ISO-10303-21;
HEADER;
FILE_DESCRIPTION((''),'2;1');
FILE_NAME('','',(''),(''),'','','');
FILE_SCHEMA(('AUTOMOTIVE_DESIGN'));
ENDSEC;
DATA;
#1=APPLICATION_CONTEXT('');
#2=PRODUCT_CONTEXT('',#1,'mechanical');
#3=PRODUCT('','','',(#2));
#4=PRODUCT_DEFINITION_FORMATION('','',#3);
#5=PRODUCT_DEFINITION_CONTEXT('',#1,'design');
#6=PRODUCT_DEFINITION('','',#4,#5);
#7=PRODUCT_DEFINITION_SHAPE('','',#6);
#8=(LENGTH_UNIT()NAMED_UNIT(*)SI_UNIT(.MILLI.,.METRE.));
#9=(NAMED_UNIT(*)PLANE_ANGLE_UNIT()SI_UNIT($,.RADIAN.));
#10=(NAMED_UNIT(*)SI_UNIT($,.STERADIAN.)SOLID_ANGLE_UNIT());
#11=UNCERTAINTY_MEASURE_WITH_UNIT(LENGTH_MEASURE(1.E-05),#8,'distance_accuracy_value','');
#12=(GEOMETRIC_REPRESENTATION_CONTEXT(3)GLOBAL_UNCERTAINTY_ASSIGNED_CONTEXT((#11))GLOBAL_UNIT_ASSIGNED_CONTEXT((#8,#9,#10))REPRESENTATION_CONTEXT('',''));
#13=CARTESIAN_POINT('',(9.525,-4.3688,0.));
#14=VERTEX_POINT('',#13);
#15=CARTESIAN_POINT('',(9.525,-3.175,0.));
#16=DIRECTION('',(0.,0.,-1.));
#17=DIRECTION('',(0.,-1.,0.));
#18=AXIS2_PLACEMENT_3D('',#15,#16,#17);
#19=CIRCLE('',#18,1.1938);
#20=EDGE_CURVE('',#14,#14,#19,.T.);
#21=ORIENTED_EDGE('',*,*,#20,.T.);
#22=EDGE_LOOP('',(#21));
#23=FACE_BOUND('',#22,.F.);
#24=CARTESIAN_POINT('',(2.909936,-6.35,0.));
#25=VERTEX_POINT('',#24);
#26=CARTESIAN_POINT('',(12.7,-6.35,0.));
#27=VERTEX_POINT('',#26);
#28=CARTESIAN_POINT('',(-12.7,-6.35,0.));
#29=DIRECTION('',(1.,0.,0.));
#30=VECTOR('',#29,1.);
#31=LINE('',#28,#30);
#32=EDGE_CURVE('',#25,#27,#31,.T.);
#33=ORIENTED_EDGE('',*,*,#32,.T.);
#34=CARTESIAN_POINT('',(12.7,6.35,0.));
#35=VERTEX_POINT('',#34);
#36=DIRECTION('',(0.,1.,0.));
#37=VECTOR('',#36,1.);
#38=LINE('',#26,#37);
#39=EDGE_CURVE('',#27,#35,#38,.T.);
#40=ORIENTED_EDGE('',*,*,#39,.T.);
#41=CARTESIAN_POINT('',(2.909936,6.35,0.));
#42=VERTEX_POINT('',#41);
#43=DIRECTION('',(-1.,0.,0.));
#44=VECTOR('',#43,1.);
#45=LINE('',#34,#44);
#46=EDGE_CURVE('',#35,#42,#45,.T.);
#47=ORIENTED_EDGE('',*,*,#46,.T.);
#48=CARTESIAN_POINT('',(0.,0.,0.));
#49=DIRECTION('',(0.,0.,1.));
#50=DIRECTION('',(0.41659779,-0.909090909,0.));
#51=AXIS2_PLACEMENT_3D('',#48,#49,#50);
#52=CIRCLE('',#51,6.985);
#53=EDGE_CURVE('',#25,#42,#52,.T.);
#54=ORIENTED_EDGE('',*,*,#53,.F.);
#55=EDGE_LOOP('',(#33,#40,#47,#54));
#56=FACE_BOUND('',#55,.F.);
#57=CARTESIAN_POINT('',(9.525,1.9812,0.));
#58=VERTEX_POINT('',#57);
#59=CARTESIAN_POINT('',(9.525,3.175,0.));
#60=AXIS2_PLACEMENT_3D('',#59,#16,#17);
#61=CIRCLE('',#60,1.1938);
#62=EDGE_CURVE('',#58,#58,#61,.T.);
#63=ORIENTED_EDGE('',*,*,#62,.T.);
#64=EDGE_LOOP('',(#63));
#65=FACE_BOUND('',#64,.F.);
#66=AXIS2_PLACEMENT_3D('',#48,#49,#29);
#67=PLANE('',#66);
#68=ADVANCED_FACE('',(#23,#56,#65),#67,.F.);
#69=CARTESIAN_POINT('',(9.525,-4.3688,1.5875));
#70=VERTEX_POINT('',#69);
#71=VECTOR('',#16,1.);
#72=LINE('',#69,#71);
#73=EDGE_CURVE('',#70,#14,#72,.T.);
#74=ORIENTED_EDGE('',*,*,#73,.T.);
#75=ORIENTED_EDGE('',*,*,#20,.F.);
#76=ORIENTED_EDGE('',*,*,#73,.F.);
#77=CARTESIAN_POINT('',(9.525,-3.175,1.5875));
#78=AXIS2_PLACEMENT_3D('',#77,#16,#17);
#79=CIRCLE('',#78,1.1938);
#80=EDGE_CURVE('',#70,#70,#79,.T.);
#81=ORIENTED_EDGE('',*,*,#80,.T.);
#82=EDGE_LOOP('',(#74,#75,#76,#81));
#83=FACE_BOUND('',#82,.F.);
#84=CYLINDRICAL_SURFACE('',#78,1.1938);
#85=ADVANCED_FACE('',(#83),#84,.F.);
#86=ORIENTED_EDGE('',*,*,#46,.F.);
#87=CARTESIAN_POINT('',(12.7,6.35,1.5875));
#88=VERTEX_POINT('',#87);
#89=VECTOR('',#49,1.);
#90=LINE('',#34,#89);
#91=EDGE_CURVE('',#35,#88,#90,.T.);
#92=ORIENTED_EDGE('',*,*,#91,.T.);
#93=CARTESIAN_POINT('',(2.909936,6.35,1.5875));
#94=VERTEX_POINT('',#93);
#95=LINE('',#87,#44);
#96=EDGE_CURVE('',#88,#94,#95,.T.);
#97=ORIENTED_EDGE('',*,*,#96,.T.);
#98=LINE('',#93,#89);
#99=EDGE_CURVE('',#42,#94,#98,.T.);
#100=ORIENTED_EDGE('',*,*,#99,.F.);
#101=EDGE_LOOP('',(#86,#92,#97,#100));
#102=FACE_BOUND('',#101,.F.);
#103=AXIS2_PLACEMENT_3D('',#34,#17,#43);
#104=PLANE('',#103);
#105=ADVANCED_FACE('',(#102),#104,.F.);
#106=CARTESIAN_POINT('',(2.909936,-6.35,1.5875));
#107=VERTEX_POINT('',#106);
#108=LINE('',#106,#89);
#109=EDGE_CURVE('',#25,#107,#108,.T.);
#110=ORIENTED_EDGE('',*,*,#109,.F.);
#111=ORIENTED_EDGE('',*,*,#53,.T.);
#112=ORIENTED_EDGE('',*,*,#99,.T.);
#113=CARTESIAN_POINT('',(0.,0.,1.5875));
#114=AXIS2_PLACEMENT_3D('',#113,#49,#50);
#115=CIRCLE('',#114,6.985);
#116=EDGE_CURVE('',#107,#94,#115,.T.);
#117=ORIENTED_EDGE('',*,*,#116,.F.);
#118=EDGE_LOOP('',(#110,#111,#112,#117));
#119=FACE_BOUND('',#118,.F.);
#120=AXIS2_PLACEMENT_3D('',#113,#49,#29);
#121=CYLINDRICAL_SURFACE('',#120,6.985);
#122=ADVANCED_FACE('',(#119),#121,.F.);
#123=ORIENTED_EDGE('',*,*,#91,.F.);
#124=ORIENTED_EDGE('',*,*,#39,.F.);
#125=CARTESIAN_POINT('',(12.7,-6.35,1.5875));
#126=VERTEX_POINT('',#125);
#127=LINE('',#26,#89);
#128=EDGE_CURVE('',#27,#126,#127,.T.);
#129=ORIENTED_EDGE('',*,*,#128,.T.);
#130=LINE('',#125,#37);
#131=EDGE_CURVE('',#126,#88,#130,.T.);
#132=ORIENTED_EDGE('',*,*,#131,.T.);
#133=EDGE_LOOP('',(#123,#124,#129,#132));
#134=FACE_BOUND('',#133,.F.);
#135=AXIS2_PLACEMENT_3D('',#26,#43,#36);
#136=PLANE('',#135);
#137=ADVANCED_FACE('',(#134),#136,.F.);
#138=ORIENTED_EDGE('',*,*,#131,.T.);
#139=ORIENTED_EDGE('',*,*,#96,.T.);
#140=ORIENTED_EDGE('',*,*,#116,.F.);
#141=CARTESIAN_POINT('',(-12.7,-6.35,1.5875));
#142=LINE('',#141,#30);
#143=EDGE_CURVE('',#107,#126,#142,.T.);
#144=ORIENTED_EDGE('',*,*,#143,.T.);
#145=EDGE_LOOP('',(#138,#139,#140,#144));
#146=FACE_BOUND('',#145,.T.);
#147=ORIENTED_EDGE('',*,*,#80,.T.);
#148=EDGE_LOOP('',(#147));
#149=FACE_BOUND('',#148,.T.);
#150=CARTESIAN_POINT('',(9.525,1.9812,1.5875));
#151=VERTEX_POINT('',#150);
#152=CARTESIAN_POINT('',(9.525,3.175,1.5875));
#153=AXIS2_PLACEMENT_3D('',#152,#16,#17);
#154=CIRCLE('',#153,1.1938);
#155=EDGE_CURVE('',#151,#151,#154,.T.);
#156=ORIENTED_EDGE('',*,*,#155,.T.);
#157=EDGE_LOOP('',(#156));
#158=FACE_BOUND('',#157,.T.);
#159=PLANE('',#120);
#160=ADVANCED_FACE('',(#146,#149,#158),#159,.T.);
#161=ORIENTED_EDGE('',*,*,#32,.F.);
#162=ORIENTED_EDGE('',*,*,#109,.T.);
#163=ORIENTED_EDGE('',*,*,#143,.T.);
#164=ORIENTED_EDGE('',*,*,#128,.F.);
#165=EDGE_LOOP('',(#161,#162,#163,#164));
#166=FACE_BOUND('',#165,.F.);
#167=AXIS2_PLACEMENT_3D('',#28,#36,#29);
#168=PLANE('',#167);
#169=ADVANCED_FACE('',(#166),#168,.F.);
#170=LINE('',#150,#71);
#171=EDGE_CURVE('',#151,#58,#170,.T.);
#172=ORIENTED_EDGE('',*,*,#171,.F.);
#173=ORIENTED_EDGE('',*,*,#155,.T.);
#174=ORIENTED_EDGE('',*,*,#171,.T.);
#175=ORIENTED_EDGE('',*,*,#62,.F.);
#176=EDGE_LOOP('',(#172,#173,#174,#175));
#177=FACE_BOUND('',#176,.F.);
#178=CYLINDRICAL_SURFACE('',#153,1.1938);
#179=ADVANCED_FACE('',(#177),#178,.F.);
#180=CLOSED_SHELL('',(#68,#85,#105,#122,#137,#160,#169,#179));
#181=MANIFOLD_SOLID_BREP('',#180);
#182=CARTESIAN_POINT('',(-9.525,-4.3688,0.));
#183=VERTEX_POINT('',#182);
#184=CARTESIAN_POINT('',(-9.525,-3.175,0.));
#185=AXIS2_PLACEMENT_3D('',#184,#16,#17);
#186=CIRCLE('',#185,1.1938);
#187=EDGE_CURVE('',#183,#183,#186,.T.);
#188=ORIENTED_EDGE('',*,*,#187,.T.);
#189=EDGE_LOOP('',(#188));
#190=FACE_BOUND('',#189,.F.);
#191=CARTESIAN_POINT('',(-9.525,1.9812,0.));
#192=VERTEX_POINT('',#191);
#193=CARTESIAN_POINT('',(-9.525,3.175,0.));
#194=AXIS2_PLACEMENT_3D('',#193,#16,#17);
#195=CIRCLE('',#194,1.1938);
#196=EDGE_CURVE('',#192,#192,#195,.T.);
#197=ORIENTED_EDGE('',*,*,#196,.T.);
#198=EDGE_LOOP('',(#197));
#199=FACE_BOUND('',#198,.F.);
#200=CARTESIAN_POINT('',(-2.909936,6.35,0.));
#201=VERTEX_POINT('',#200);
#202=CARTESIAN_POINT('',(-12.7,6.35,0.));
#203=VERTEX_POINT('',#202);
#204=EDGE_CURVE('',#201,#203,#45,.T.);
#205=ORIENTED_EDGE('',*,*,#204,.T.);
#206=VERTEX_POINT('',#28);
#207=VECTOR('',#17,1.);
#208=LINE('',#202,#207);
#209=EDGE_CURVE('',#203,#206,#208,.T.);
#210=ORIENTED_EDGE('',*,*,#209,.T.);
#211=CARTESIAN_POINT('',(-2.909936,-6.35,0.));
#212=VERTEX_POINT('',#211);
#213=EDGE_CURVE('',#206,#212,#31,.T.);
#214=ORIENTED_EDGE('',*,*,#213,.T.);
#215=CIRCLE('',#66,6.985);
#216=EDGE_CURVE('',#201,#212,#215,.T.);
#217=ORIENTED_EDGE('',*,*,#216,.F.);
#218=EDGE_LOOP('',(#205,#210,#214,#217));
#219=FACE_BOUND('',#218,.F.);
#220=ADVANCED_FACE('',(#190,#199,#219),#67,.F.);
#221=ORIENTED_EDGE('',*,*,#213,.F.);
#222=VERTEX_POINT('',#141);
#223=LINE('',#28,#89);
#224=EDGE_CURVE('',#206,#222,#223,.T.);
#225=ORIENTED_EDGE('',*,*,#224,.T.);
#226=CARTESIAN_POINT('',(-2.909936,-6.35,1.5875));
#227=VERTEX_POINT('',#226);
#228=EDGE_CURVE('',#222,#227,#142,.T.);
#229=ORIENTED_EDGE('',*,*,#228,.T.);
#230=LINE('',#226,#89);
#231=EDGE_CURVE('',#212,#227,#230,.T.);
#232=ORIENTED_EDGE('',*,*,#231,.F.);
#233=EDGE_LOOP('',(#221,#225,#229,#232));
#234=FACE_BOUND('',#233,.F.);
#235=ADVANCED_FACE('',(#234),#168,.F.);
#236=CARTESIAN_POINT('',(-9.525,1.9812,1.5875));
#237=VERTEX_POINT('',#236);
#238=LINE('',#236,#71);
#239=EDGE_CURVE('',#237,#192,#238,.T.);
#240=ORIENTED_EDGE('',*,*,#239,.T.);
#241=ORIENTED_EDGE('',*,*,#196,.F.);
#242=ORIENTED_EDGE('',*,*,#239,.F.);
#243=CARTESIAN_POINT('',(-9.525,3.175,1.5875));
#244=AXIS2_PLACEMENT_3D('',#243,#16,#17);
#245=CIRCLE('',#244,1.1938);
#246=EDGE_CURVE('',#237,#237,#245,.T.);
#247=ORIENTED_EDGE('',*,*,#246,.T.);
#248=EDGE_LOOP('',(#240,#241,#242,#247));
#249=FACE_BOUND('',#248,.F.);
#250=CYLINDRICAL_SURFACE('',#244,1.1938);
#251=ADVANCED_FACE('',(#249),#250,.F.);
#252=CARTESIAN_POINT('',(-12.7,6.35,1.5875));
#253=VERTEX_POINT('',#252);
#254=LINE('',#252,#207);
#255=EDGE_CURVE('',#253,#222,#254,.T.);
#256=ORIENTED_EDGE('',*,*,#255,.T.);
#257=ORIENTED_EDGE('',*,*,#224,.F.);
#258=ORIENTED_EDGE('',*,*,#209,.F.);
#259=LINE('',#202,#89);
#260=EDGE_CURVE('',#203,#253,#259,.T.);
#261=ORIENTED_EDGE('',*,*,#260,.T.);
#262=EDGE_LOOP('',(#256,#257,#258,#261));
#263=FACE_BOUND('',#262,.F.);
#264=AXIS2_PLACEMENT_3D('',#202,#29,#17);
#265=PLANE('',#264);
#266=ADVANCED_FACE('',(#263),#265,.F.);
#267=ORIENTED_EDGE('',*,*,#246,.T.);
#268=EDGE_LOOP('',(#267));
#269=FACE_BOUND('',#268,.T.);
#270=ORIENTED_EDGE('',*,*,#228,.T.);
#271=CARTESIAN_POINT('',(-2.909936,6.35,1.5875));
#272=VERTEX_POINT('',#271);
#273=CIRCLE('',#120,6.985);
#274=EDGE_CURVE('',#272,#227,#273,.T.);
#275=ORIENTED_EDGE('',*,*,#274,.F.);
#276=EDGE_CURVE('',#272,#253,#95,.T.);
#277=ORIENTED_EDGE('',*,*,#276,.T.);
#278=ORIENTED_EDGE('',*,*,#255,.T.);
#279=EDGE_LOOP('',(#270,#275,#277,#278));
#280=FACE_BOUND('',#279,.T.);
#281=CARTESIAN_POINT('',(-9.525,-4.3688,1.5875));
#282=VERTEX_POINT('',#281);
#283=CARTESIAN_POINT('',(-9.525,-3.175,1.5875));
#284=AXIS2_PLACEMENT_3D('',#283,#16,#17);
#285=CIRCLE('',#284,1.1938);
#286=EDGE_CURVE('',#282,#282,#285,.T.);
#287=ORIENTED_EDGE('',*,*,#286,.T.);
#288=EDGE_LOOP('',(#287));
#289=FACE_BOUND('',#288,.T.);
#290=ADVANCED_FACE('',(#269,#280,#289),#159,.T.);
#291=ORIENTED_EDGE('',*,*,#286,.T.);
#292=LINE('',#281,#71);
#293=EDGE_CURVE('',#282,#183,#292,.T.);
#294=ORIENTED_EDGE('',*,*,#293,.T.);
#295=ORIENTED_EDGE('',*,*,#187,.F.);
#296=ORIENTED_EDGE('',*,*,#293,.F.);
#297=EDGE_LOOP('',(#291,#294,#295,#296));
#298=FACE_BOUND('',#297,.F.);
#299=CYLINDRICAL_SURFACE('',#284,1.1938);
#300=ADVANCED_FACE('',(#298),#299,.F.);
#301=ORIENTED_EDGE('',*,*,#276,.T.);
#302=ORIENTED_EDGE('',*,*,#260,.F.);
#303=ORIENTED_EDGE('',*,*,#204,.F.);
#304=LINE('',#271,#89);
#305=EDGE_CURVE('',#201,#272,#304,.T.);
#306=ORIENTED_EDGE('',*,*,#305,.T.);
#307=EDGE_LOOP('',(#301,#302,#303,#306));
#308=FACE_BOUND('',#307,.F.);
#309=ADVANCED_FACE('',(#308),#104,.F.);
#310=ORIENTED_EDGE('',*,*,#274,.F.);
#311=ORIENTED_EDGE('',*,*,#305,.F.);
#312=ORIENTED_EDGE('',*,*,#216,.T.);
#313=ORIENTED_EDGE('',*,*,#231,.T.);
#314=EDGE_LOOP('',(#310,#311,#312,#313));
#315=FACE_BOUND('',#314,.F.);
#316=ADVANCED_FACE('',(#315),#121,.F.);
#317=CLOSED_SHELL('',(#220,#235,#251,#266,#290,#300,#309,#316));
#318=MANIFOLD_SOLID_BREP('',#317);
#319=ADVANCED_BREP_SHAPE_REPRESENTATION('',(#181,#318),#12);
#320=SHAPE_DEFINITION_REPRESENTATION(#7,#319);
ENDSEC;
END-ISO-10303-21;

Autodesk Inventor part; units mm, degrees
ref_plane "YZ Plane" through (0, 0, 0) normal (1, 0, 0) x (0, 1, 0)
ref_plane "XZ Plane" through (0, 0, 0) normal (0, 1, 0) x (-1, 0, 0)
ref_plane "XY Plane" through (0, 0, 0) normal (0, 0, 1) x (1, 0, 0)
sketch "Sketch1" plane through (0, 0, 0) normal (0, 0, 1) x (1, 0, 0)
  line L0 (-12.7, -6.35) -> (12.7, -6.35)
  line L1 (12.7, -6.35) -> (12.7, 6.35)
  line L2 (12.7, 6.35) -> (-12.7, 6.35)
  line L3 (-12.7, 6.35) -> (-12.7, -6.35)
  point P0 (0, 0)
  dimension "d0" = 25.4
  dimension "d1" = 12.7
extrude "Extrusion1" add sketch "Sketch1" along normal blind 1.5875
sketch "Sketch2" plane through (0, 0, 1.5875) normal (0, 0, 1) x (1, 0, 0)
  circle A0 centre (0, 0) radius 6.985
  dimension "d4" = 13.97
extrude "Extrusion2" cut sketch "Sketch2" against normal through all
sketch "Sketch6" plane through (0, 0, 1.5875) normal (0, 0, 1) x (1, 0, 0)
  point P0 (0, 0)
  point P1 (-9.525, -3.175)
  point P2 (-9.525, 3.175)
  point P3 (9.525, 3.175)
  point P4 (9.525, -3.175)
hole "Hole3" at (-9.525, -3.175, 1.5875) at (-9.525, 3.175, 1.5875) at (9.525, 3.175, 1.5875) at (9.525, -3.175, 1.5875) direction (0, 0, -1) diameter 2.3876 depth 25.4 tip angle 118 clearance for "Flat Head Machine Screw" size "M2" standard "Ansi Metric M Profile"
properties part number "al_collar"
